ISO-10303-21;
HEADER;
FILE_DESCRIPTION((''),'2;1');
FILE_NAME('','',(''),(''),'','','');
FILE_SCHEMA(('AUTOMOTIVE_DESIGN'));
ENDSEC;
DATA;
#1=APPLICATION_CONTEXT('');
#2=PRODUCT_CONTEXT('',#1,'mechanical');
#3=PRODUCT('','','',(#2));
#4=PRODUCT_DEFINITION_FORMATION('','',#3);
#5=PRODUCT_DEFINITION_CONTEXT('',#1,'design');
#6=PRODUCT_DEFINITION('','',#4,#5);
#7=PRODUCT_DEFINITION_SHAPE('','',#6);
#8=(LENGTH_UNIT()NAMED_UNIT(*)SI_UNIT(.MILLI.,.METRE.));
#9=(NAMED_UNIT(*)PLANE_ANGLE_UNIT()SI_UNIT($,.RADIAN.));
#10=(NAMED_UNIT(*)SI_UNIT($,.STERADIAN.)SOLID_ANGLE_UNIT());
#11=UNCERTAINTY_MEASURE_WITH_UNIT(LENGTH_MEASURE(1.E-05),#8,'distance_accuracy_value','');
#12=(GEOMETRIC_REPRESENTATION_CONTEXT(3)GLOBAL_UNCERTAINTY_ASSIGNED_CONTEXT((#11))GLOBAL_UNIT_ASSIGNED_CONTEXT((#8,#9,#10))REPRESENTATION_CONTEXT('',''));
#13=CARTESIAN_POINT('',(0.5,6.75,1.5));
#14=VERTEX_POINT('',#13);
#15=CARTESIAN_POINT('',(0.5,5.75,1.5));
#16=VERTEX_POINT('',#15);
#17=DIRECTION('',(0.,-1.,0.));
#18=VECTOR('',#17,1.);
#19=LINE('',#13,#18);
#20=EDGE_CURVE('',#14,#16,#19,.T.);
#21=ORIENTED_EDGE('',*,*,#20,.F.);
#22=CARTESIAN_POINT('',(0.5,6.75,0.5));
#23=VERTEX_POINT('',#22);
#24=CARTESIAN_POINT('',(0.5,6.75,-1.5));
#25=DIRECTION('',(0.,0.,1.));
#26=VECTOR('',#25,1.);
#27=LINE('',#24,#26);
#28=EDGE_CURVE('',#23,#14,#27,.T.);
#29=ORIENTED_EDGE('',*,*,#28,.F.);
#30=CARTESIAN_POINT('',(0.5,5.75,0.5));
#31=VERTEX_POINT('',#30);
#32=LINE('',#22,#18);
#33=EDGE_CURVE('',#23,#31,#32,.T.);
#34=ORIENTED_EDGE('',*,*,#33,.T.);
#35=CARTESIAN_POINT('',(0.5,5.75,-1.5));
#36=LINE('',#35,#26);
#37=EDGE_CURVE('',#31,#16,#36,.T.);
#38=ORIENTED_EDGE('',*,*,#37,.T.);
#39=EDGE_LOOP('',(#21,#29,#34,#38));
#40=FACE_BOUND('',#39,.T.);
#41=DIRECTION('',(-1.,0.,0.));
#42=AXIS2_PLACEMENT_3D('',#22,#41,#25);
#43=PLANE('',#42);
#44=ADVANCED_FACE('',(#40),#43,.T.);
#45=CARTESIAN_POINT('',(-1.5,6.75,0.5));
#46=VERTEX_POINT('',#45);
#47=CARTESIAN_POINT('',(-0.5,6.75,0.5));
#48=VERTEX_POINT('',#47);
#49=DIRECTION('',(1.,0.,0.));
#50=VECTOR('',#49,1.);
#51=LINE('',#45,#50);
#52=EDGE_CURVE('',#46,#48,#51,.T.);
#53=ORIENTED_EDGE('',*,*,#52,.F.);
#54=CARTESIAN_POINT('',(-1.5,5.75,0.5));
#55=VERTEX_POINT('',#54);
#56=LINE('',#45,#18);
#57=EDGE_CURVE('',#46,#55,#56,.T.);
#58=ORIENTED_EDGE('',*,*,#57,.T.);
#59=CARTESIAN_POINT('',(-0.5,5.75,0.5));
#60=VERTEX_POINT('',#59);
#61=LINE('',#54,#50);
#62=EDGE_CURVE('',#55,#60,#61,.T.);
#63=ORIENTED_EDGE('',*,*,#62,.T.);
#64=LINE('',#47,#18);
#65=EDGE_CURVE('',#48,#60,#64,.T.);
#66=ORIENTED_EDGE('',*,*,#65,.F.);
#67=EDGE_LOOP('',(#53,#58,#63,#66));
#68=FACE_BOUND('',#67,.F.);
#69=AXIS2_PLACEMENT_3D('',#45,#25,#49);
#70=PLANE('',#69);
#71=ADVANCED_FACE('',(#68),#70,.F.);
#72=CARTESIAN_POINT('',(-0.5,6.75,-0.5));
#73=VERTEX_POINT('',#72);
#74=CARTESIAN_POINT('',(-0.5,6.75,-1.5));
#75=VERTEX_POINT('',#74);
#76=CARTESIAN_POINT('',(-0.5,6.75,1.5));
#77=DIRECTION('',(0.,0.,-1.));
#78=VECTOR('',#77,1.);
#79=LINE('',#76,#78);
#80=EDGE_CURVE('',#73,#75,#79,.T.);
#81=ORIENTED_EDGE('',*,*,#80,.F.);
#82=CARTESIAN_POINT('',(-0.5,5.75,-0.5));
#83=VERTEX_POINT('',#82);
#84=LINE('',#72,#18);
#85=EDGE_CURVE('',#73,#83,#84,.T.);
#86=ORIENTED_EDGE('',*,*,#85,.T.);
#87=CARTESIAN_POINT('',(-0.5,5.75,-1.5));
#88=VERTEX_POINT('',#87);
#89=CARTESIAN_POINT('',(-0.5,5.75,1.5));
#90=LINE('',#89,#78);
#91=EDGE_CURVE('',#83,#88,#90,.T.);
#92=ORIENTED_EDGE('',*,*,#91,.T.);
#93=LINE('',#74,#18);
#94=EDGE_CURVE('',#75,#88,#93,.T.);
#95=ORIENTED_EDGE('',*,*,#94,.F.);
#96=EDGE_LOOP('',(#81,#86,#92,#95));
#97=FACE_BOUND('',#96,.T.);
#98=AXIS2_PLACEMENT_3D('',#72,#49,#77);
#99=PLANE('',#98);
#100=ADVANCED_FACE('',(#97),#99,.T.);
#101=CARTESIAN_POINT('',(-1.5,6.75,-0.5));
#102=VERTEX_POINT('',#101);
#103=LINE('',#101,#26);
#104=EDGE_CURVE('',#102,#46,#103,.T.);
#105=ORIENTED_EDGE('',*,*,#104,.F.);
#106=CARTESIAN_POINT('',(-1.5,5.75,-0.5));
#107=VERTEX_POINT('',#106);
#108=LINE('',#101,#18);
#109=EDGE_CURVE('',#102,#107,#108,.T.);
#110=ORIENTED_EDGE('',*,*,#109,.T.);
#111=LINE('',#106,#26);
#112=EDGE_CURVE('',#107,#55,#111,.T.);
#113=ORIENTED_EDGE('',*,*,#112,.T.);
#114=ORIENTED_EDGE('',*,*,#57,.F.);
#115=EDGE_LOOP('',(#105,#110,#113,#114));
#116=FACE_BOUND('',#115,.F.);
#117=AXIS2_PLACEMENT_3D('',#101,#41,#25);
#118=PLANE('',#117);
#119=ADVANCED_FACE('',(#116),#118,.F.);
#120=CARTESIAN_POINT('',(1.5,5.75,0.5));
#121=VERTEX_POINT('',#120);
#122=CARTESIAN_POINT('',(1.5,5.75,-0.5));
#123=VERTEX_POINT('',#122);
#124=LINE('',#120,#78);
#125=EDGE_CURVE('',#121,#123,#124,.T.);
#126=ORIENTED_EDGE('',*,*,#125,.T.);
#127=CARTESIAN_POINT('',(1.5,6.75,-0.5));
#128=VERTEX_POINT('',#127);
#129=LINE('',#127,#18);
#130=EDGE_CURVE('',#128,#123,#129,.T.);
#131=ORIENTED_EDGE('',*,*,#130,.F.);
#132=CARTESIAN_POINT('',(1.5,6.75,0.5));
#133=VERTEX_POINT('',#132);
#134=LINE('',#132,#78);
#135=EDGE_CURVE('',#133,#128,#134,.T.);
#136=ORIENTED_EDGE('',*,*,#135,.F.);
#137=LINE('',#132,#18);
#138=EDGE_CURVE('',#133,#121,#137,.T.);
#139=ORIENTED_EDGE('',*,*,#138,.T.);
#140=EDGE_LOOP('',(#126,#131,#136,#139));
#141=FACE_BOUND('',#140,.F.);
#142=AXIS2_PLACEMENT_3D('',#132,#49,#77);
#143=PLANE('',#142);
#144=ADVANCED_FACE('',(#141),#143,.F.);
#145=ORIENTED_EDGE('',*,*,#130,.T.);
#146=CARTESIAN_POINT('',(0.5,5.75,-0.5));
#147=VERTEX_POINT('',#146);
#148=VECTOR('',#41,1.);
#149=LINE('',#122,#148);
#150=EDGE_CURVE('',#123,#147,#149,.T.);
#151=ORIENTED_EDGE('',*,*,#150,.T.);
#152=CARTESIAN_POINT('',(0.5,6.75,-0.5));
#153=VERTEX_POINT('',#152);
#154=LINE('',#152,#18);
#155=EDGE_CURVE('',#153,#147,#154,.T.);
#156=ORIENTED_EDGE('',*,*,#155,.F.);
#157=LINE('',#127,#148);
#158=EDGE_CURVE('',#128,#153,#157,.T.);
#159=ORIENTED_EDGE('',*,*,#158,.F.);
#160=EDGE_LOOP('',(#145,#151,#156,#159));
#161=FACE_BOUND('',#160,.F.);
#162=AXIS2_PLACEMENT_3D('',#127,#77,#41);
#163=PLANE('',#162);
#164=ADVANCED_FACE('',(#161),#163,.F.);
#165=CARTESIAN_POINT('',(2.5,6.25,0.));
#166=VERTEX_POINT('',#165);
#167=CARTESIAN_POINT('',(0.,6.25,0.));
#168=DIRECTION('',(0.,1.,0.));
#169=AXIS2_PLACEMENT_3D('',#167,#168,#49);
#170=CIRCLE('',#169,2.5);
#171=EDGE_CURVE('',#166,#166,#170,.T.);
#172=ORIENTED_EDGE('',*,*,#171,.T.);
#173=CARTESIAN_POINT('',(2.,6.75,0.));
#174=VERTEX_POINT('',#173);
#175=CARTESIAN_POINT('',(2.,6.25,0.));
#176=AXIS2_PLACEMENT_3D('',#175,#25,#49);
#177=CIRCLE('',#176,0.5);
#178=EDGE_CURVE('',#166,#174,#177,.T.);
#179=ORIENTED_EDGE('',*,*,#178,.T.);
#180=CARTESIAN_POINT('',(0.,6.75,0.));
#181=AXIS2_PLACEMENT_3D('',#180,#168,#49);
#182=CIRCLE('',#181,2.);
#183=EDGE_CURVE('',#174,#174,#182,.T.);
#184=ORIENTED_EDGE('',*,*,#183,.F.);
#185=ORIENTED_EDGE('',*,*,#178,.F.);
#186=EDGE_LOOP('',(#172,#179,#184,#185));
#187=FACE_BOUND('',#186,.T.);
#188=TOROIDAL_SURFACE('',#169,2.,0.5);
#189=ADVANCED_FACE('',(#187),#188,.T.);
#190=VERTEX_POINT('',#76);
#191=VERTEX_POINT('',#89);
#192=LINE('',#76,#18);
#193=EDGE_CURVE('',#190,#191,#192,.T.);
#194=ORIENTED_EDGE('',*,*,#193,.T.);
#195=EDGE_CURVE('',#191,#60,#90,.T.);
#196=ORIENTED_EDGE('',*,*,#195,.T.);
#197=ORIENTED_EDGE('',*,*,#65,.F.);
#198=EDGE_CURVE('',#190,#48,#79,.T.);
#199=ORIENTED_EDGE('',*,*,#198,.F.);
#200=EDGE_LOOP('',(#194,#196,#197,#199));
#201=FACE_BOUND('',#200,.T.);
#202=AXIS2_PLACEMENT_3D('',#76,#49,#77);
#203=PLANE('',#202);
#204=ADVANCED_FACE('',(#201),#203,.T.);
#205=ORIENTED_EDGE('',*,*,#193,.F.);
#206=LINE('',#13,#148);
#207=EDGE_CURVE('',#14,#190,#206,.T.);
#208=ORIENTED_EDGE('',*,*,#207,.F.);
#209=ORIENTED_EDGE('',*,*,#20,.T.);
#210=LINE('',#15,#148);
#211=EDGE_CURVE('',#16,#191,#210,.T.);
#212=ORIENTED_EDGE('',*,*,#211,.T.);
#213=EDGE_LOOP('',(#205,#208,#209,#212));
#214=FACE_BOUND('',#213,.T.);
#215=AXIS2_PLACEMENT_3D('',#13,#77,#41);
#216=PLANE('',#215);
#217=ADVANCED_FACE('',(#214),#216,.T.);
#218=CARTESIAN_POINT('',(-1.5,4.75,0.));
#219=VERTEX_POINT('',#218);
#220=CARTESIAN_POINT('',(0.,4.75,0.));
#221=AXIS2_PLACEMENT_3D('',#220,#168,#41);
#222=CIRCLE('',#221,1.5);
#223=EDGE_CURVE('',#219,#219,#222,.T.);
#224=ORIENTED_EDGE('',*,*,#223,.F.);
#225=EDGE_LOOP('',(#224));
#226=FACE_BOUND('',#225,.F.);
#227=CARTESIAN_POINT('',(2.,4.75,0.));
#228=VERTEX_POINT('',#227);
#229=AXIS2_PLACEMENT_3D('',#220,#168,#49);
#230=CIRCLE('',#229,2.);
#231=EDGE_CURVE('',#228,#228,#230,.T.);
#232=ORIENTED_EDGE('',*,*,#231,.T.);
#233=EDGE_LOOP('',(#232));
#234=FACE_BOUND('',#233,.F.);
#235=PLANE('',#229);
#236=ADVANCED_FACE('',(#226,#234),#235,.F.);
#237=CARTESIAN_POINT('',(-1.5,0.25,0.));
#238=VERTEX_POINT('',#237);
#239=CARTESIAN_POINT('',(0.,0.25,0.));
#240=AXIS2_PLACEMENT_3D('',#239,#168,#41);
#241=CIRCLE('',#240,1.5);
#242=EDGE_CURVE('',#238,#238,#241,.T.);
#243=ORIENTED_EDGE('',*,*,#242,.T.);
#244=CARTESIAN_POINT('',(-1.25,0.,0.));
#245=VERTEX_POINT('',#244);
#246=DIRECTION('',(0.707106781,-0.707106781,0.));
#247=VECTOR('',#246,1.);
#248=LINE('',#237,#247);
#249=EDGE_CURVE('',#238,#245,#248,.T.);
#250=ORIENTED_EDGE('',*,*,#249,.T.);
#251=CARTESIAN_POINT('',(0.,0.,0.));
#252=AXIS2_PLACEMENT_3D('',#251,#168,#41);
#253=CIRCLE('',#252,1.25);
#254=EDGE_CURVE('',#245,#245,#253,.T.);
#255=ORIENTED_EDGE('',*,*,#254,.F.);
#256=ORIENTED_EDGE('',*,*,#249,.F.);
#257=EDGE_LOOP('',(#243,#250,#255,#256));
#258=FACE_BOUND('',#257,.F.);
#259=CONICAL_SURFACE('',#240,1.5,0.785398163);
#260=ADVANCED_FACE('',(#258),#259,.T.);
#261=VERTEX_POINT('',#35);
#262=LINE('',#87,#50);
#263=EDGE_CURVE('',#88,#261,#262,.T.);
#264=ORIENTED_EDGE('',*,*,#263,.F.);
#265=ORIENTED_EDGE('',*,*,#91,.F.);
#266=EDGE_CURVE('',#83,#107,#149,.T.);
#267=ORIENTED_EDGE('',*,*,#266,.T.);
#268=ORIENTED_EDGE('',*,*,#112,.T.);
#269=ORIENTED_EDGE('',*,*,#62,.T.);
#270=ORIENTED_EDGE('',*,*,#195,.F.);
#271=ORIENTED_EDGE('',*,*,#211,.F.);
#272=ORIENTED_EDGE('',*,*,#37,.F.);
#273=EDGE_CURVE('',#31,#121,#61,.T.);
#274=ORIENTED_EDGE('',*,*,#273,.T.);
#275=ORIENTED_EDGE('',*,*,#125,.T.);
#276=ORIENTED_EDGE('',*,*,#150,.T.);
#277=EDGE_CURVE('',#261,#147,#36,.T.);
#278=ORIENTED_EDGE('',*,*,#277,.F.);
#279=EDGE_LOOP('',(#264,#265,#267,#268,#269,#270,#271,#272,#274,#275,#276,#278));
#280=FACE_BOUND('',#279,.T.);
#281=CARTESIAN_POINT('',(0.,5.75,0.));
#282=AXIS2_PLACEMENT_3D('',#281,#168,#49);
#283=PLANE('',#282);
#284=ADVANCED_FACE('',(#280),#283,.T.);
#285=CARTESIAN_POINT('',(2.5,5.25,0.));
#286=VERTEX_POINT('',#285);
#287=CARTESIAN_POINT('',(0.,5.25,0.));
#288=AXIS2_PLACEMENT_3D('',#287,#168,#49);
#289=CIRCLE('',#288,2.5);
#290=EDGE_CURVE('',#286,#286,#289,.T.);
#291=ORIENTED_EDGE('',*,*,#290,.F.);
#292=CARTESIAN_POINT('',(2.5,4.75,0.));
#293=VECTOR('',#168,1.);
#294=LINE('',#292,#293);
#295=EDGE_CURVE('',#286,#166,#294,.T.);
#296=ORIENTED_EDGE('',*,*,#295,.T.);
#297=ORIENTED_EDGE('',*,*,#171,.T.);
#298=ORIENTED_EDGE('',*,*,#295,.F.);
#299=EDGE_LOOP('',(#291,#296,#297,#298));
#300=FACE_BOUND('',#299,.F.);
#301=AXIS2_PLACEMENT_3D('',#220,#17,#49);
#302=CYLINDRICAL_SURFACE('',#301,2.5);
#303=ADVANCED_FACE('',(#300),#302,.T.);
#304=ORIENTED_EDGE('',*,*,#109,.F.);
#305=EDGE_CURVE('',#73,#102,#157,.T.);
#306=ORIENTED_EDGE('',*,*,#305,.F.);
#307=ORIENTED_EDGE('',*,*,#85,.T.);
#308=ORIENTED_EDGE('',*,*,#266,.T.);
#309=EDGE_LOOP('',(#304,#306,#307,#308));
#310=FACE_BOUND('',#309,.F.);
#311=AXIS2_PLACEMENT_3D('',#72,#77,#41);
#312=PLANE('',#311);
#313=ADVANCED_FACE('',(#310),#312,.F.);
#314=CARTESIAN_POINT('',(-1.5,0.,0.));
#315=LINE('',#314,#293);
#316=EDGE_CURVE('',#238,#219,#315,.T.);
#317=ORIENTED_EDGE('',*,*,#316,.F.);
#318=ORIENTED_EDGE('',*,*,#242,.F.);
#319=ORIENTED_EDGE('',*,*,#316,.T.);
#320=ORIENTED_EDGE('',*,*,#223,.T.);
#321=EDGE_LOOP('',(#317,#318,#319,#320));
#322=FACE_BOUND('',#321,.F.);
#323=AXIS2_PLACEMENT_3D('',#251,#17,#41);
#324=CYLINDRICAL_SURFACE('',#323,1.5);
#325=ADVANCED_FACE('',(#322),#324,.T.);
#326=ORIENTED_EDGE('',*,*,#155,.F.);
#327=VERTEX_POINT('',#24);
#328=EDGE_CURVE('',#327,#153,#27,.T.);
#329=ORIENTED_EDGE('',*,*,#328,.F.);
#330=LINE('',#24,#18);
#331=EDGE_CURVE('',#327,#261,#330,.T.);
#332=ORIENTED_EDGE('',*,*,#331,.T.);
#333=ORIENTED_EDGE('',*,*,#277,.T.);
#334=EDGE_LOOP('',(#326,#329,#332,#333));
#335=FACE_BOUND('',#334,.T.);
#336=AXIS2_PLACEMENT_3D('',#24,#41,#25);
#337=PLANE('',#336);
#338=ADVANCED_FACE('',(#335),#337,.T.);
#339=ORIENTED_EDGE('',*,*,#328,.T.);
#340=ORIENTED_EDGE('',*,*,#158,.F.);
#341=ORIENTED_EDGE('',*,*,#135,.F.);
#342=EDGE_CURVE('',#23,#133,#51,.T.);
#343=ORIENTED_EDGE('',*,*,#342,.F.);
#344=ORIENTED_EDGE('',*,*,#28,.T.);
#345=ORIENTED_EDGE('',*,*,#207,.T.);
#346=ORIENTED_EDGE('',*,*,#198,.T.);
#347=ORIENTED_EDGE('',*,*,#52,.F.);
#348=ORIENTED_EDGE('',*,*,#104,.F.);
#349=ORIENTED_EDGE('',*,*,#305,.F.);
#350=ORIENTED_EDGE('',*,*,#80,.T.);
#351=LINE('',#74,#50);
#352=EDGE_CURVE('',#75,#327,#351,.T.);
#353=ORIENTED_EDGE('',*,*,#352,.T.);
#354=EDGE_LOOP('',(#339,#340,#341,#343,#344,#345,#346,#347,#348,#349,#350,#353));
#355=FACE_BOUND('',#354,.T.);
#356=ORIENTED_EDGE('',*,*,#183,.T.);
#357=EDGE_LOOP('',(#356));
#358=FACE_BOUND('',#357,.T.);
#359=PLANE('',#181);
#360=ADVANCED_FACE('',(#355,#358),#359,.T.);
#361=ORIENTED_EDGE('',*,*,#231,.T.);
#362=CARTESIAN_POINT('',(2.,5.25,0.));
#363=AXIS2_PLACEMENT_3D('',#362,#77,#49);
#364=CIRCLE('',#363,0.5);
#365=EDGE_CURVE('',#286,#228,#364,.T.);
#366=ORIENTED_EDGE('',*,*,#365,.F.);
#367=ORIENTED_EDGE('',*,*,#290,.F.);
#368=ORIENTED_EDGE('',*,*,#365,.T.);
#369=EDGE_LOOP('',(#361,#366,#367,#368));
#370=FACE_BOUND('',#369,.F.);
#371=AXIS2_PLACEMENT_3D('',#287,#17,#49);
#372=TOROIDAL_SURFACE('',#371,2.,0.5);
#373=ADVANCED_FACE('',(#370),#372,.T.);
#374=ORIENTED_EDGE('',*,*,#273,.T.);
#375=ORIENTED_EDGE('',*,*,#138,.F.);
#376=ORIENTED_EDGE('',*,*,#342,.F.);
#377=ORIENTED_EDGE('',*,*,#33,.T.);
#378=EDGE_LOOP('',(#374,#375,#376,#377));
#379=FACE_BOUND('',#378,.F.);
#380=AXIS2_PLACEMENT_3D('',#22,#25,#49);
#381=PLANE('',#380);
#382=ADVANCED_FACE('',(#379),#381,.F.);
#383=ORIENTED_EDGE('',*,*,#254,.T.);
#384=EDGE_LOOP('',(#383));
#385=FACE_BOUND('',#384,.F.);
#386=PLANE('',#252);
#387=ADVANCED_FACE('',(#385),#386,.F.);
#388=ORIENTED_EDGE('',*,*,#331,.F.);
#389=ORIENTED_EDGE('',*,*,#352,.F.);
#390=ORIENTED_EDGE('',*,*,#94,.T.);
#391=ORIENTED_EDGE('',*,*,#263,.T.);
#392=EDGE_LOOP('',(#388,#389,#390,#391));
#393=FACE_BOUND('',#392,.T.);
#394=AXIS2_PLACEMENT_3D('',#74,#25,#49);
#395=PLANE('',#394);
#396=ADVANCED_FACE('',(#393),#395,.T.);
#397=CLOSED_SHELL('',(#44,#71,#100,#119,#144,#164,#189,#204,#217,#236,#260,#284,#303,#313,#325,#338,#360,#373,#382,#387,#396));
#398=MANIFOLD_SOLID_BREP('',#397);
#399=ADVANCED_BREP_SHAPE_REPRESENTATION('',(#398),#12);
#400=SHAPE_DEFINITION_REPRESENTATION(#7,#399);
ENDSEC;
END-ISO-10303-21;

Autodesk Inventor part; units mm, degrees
ref_plane "YZ Plane" through (0, 0, 0) normal (1, 0, 0) x (0, 1, 0)
ref_plane "XZ Plane" through (0, 0, 0) normal (0, 1, 0) x (-1, 0, 0)
ref_plane "XY Plane" through (0, 0, 0) normal (0, 0, 1) x (1, 0, 0)
sketch "Sketch1" plane through (0, 0, 0) normal (0, 1, 0) x (-1, 0, 0)
  circle A0 centre (0, 0) radius 1.5
  dimension "d0" = 3
extrude "Extrusion1" add sketch "Sketch1" along normal blind 4.75
sketch "Sketch2" plane through (0, 4.75, 0) normal (0, 1, 0) x (1, 0, 0)
  circle A0 centre (0, 0) radius 2.5
  dimension "d3" = 5
extrude "Extrusion2" add sketch "Sketch2" along normal blind 2
fillet "Fillet1" radius 0.5 2 edges at (-2.5, 6.75, 0) (-2.5, 4.75, 0)
sketch "Sketch3" plane through (0, 6.75, 0) normal (0, 1, 0) x (1, 0, 0)
  line L0 (0.5, -1.5) -> (-0.5, -1.5)
  line L1 (-0.5, -1.5) -> (-0.5, 1.5)
  line L2 (-0.5, 1.5) -> (0.5, 1.5)
  line L3 (0.5, 1.5) -> (0.5, -1.5)
  line L4 (0.5, -1.5) -> (-0.5, 1.5) construction
  line L5 (-0.5, -1.5) -> (0.5, 1.5) construction
  line L6 (-1.5, -0.5) -> (1.5, -0.5)
  line L7 (1.5, -0.5) -> (1.5, 0.5)
  line L8 (1.5, 0.5) -> (-1.5, 0.5)
  line L9 (-1.5, 0.5) -> (-1.5, -0.5)
  line L10 (-1.5, -0.5) -> (1.5, 0.5) construction
  line L11 (1.5, -0.5) -> (-1.5, 0.5) construction
  point P0 (0, 0)
  point P1 (-0.5, -0.5)
  point P2 (0.5, -0.5)
  point P3 (0.5, 0.5)
  point P4 (-0.5, 0.5)
  dimension "d7" = 1
  dimension "d8" = 3
  dimension "d9" = 3
  dimension "d10" = 1
extrude "Extrusion3" cut sketch "Sketch3" against normal blind 1
thread "Thread1" size "M3x0.5" class "6g" standard "ANSI Metric M Profile" full length
chamfer "Chamfer1" distance 0.25 angle 45 1 edges at (1.5, 0, 0)
properties part number "M3_Smaller_Bolt" material "Steel, Alloy"
